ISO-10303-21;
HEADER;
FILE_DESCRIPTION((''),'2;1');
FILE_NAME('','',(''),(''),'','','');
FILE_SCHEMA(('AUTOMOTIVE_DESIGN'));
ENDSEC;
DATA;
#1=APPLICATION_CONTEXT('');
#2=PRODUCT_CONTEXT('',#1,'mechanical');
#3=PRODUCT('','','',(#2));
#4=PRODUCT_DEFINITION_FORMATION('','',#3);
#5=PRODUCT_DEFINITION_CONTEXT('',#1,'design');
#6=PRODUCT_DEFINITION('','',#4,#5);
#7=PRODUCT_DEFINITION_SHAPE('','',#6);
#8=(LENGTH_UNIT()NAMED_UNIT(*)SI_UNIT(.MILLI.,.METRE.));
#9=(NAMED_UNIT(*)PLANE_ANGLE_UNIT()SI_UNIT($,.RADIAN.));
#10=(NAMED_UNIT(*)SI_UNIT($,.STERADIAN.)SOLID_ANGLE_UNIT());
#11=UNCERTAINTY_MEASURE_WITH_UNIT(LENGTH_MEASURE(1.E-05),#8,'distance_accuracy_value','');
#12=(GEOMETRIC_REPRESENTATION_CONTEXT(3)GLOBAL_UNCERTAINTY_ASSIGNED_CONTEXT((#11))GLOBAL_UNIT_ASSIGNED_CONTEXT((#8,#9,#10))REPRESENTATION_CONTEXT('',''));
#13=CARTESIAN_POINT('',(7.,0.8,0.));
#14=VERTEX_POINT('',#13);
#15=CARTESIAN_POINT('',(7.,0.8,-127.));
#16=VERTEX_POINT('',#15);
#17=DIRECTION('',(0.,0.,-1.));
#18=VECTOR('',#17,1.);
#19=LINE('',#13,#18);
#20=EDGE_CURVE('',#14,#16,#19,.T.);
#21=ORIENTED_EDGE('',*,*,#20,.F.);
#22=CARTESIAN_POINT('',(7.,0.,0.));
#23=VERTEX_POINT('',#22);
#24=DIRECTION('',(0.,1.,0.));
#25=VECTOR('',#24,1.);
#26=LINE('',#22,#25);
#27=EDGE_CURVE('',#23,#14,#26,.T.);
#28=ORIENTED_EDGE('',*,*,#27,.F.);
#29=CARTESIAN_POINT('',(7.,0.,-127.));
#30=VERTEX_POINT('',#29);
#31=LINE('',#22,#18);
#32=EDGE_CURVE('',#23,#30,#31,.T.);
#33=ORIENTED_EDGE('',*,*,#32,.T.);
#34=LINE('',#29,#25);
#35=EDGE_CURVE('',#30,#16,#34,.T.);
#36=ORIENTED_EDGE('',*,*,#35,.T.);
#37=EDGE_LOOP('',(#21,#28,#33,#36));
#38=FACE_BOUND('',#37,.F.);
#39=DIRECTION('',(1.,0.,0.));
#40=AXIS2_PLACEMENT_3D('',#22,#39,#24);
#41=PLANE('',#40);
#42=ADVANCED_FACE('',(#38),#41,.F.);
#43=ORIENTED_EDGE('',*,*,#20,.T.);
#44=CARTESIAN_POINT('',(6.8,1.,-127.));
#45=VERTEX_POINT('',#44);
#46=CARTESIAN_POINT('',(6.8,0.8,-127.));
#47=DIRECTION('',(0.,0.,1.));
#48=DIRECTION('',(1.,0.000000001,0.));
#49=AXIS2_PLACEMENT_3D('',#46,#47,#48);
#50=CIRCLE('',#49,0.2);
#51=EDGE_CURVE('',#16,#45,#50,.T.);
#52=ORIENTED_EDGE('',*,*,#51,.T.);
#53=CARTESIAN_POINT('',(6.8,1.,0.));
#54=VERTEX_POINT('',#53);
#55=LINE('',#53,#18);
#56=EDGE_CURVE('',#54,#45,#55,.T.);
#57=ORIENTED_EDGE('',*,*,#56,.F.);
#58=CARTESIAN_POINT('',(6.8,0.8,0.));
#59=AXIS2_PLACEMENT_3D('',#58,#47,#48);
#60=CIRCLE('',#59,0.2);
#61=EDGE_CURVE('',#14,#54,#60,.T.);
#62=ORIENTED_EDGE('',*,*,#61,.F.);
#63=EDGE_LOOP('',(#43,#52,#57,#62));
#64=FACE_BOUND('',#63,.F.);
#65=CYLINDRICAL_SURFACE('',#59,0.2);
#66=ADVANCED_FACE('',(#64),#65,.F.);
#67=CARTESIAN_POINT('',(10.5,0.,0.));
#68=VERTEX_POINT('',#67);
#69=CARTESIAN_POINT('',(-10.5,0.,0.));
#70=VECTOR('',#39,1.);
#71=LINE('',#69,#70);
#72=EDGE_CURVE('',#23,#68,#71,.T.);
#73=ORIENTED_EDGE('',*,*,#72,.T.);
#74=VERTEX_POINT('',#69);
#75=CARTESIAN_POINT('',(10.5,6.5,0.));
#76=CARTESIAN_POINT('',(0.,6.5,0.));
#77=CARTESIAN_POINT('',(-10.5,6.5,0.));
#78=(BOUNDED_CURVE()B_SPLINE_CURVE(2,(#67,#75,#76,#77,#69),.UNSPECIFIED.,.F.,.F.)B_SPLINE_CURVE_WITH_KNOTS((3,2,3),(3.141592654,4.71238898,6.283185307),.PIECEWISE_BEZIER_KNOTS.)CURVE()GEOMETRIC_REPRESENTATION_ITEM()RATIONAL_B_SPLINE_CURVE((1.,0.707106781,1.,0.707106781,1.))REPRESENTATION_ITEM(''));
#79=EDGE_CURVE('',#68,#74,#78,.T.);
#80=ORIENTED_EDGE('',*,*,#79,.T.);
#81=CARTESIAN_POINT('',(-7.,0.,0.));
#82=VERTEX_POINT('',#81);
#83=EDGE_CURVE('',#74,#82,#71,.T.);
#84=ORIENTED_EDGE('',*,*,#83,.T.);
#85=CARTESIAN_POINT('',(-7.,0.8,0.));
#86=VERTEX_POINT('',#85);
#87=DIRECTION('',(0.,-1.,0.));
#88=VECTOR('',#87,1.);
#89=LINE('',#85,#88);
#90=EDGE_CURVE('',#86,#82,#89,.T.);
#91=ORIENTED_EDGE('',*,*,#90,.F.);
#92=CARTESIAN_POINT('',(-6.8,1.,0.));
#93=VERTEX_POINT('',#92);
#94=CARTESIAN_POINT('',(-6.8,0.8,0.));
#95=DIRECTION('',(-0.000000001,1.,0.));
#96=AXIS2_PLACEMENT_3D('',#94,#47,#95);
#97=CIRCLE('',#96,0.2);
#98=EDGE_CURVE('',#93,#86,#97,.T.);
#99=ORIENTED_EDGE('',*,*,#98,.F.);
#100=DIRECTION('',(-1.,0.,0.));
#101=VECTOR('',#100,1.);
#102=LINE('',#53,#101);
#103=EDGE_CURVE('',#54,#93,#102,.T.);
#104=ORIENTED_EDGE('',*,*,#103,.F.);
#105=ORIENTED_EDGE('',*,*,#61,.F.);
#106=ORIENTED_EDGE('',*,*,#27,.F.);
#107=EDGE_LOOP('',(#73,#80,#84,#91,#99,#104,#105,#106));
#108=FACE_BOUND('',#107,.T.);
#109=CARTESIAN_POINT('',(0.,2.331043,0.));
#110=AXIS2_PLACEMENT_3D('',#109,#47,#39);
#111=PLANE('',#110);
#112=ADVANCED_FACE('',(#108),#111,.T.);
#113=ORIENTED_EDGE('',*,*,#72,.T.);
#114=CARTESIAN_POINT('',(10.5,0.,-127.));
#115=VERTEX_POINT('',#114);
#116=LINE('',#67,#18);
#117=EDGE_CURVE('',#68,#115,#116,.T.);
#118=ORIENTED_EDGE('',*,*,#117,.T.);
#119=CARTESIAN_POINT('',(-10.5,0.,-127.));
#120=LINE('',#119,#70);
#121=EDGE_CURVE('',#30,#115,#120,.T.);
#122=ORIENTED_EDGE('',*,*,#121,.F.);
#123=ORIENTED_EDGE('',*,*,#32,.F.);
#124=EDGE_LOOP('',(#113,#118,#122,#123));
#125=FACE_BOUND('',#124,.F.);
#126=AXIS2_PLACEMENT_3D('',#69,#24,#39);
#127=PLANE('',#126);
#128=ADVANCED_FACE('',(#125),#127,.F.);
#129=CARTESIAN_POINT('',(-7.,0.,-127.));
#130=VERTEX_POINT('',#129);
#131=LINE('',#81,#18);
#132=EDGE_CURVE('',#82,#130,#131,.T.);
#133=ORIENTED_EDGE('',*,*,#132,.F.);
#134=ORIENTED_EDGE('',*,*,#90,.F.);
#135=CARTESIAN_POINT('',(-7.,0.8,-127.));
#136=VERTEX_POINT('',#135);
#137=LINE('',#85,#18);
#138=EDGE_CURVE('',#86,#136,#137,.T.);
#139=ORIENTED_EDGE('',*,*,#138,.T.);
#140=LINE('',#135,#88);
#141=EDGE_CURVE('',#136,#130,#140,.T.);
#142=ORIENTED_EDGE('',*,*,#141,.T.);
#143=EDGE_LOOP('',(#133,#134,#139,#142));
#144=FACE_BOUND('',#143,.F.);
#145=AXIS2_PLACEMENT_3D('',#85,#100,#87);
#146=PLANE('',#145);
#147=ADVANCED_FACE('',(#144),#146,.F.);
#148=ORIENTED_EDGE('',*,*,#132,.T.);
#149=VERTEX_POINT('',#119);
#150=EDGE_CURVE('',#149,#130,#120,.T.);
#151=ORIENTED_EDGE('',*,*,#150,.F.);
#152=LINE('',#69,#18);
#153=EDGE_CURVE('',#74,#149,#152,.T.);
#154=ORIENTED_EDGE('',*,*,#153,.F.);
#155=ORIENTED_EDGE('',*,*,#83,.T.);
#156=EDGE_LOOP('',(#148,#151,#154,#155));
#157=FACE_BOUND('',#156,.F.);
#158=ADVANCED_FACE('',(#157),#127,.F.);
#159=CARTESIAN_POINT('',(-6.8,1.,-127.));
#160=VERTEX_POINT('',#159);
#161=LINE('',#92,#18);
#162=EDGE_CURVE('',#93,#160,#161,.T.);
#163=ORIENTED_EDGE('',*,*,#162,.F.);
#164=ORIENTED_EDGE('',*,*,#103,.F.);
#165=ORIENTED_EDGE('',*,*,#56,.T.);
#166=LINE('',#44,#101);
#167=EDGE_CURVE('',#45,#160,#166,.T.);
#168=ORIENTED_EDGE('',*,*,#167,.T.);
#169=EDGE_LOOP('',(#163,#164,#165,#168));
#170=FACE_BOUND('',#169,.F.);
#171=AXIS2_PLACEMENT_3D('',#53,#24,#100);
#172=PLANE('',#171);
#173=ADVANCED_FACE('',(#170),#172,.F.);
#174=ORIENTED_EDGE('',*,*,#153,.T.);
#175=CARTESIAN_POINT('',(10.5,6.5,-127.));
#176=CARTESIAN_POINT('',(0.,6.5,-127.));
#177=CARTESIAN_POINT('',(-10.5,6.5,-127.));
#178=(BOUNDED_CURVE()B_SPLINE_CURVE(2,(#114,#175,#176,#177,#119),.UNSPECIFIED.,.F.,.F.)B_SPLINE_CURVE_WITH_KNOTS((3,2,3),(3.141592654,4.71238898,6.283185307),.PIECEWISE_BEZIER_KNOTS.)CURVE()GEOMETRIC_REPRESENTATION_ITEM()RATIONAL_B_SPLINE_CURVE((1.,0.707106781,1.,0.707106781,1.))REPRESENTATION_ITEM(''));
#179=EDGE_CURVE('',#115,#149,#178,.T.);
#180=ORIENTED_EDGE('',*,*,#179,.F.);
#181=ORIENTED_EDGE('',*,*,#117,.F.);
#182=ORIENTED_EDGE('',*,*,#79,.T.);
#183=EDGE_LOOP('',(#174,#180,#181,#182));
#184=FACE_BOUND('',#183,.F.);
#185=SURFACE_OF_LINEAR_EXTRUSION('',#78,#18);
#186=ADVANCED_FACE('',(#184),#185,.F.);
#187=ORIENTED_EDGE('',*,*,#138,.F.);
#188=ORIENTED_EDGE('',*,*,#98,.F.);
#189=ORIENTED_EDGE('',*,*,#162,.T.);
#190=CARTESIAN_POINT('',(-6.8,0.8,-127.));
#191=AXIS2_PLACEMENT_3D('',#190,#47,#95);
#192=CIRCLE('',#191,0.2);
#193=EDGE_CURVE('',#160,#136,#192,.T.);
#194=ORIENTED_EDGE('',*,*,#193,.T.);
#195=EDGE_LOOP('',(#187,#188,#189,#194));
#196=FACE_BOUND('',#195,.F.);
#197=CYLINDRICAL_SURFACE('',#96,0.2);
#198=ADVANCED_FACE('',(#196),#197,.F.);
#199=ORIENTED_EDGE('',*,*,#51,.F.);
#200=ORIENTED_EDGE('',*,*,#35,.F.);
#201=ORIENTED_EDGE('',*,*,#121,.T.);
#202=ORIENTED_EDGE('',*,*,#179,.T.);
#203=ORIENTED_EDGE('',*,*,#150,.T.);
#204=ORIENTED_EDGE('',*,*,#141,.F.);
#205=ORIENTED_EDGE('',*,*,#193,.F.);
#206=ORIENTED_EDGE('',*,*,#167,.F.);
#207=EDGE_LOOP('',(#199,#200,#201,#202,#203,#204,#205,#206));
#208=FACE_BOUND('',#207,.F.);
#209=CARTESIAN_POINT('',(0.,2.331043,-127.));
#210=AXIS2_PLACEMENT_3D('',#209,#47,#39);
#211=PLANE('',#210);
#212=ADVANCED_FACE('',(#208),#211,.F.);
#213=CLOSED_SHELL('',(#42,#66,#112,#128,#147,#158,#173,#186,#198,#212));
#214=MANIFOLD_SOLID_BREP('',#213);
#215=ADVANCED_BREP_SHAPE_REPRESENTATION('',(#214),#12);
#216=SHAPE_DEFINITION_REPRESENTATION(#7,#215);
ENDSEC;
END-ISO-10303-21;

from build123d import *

# Parameters (mm, degrees)
F4_DEPTH = 127


with BuildPart() as f2:
    # F2: sweep along a path in F1
    with BuildLine(Plane.YZ) as f2_path:
        Line((0, 0), (0, -127))
    # F0 (on Top) → F2 (sweep)
    with BuildSketch(Plane.XY):
        with BuildLine():
            Line((-10.5, 0), (10.5, 0))
            add(Edge.make_bspline(
                [(10.5, 0), (10.5, 6.5), (0, 6.5), (-10.5, 6.5), (-10.5, 0)],
                knots=[3.1415926536, 3.1415926536, 3.1415926536, 4.7123889804, 4.7123889804, 6.2831853072, 6.2831853072, 6.2831853072], degree=2, weights=[1, 0.7071067812, 1, 0.7071067812, 1]))
        make_face()
    sweep(path=f2_path.line)

    # F3 (on face) → F4 (cut)
    with BuildSketch(Plane.XY):
        with BuildLine():
            Line((-7, 0), (0, 0))
            Line((0, 0), (7, 0))
            Line((7, 0), (7, 0.8))
            ThreePointArc((7, 0.8), (6.9414213562, 0.9414213562), (6.8, 1))
            Line((6.8, 1), (-6.8, 1))
            ThreePointArc((-6.8, 1), (-6.9414213562, 0.9414213562), (-7, 0.8))
            Line((-7, 0.8), (-7, 0))
        make_face()
    extrude(amount=-F4_DEPTH, mode=Mode.SUBTRACT)


solid = f2.part
